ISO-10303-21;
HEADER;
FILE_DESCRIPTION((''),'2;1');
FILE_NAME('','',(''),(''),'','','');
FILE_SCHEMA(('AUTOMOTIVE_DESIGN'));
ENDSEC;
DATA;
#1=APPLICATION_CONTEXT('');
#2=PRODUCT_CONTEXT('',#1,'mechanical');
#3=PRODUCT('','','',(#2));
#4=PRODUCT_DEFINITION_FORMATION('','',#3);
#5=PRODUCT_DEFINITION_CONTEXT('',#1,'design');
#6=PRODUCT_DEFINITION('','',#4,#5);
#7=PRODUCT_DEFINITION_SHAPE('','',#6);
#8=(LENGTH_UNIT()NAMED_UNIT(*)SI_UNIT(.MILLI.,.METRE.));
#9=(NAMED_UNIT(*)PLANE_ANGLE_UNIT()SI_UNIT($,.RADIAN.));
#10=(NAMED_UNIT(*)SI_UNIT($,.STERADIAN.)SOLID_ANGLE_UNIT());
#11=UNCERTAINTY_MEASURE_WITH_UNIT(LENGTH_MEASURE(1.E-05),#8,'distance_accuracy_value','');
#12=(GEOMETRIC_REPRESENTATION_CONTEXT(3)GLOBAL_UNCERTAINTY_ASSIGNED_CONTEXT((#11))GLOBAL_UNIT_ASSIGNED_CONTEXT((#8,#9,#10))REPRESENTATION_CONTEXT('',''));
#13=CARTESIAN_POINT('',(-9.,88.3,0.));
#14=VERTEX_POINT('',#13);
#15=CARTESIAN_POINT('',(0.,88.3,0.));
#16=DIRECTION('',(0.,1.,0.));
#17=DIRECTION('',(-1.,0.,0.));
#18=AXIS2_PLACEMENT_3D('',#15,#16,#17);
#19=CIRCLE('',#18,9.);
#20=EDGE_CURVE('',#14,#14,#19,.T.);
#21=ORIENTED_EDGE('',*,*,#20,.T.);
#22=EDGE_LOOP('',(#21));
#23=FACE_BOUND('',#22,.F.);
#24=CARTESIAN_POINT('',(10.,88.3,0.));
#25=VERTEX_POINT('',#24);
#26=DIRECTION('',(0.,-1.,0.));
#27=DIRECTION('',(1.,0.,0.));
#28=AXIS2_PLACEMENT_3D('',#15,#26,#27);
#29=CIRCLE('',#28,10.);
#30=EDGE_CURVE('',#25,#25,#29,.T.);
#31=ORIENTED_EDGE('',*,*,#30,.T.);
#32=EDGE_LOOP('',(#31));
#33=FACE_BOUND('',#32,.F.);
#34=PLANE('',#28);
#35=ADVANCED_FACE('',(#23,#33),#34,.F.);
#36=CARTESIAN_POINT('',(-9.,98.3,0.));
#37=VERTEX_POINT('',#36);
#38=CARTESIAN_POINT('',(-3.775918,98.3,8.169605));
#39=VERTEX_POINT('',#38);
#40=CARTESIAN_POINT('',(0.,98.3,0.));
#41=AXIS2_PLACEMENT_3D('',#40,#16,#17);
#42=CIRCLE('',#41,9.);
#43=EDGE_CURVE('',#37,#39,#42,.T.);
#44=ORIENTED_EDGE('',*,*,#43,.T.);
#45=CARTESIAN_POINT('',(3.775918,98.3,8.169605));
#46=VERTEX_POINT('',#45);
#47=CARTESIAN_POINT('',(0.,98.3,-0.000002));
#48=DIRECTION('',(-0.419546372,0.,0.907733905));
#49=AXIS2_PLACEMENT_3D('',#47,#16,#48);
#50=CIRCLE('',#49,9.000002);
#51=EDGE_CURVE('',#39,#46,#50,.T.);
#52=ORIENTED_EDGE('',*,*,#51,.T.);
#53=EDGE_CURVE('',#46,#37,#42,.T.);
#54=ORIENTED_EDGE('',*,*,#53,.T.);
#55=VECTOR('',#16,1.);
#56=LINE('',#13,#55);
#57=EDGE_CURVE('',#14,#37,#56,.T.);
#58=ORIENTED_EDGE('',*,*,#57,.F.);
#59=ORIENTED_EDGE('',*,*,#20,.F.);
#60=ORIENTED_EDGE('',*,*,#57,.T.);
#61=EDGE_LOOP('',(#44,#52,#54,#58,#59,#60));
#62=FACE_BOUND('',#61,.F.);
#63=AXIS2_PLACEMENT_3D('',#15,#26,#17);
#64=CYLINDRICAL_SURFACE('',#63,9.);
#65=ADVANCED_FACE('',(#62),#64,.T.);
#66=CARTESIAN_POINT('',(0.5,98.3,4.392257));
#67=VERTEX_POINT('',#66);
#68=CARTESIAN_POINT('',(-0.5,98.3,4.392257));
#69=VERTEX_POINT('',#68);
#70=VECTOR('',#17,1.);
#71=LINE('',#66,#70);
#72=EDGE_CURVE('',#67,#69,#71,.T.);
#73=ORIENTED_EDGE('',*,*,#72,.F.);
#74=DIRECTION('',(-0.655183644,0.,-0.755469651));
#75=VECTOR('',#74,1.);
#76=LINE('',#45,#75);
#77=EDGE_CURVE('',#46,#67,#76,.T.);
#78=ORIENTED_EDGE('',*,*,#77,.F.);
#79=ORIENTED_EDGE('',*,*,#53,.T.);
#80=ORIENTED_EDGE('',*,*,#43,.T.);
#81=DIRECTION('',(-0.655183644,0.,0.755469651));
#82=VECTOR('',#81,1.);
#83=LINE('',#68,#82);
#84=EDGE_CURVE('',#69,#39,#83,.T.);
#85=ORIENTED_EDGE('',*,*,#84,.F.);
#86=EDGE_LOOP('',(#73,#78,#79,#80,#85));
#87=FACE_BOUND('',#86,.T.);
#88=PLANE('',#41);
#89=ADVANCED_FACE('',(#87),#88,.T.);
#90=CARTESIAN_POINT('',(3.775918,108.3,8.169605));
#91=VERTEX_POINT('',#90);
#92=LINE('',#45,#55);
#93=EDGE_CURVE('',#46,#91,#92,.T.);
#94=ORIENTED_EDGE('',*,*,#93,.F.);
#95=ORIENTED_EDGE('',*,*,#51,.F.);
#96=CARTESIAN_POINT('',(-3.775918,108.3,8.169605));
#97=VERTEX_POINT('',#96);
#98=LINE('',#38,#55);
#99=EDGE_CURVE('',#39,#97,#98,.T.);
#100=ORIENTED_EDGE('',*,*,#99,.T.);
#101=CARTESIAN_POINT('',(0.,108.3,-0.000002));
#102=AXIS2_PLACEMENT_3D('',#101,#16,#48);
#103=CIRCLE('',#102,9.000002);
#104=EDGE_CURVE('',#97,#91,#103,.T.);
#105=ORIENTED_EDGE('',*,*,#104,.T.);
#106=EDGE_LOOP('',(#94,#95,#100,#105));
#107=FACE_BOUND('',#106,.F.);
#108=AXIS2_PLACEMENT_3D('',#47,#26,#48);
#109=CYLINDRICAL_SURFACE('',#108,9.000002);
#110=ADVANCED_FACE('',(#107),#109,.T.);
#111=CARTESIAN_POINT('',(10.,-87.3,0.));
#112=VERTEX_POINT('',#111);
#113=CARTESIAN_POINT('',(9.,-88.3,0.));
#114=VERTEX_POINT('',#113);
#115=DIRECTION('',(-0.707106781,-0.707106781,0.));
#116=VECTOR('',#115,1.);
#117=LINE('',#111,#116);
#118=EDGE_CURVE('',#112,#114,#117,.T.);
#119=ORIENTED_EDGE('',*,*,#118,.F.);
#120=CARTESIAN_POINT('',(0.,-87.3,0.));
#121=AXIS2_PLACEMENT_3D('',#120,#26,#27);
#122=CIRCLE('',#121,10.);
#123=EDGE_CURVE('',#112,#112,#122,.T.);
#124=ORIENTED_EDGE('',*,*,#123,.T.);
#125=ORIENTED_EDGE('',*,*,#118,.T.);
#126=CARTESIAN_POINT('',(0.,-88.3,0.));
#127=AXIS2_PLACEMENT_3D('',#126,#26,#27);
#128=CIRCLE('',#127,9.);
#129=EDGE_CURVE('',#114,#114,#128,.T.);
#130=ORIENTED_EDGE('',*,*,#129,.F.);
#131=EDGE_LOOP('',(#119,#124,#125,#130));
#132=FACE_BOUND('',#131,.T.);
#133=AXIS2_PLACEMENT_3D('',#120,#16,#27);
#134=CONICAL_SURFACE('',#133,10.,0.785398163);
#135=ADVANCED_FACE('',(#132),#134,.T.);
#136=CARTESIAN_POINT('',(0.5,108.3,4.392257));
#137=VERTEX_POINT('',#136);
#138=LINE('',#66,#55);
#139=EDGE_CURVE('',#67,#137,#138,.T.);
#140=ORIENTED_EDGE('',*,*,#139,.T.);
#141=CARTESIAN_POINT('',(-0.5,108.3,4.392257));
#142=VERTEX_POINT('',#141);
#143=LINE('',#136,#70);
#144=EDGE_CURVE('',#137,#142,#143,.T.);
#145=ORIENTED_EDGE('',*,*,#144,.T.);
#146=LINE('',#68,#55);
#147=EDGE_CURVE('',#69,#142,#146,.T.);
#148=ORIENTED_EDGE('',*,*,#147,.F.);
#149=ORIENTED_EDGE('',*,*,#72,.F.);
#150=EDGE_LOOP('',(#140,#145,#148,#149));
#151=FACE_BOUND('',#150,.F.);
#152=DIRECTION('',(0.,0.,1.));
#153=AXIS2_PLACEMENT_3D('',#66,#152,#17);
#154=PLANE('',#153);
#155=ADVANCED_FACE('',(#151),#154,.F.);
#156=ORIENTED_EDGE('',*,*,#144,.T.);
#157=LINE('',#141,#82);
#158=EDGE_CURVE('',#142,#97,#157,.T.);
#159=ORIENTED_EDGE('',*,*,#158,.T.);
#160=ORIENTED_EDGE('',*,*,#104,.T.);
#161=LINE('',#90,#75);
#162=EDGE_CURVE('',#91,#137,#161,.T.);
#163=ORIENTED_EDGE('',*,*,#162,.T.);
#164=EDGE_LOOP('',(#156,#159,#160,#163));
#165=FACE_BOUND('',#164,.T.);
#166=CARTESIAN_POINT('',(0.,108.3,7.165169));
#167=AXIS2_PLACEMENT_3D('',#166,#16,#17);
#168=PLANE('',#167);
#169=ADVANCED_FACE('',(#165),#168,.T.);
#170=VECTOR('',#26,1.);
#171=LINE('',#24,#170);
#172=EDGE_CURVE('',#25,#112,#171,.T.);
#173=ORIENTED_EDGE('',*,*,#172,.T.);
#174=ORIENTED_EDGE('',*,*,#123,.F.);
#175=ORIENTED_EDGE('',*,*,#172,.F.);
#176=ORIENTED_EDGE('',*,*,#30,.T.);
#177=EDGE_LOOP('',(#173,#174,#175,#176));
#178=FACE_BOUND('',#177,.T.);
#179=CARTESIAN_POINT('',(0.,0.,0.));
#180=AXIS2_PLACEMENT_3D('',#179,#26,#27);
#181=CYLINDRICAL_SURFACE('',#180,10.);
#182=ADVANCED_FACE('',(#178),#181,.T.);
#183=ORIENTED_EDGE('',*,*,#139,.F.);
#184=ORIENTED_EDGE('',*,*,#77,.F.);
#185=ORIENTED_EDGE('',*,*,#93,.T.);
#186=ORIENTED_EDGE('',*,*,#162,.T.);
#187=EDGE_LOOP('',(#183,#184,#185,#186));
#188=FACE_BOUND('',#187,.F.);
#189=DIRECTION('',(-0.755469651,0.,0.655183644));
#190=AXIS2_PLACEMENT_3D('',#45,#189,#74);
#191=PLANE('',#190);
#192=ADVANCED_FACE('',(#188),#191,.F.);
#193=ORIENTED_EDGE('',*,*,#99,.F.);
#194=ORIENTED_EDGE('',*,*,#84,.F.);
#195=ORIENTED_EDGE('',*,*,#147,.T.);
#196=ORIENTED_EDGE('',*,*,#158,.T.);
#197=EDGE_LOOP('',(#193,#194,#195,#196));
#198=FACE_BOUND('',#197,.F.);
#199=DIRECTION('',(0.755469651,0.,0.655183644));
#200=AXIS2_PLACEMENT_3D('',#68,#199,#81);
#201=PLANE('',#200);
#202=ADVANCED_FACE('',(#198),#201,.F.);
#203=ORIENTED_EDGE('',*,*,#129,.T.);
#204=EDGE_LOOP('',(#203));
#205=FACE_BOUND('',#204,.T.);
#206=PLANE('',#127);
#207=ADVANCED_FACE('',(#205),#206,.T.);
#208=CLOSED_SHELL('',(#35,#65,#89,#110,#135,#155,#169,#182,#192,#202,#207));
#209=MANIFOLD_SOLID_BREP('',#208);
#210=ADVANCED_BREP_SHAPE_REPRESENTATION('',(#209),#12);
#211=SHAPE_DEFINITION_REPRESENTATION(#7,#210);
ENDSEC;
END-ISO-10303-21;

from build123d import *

# Parameters (mm, degrees)
F0_R     = 10
F1_DEPTH = 88.3
F2_R     = 9
F3_DEPTH = 10
F5_DEPTH = 10
F6_SIZE  = 1


with BuildPart() as f1:
    # F0 (on Front) → F1 (new body, symmetric)
    with BuildSketch(Plane.XZ):
        Circle(F0_R)
    extrude(amount=F1_DEPTH, both=True)

    # F2 (on face) → F3 (join)
    with BuildSketch(Plane(origin=(0, 88.3, 0), x_dir=(-1, 0, 0), z_dir=(0, 1, 0))):
        Circle(F2_R)
    extrude(amount=F3_DEPTH)

    # F4 (on face) → F5 (join)
    with BuildSketch(Plane(origin=(0, 98.3, 0), x_dir=(-1, 0, 0), z_dir=(0, 1, 0))):
        with BuildLine():
            ThreePointArc((3.775918, 8.169605), (0, 9), (-3.775918, 8.169605))
            Line((-3.775918, 8.169605), (-0.5, 4.392257))
            Line((-0.5, 4.392257), (0.5, 4.392257))
            Line((0.5, 4.392257), (3.775918, 8.169605))
        make_face()
    extrude(amount=F5_DEPTH)

    # F6
    f6_edges = [f1.edges().sort_by_distance(p)[0] for p in [
        (-10, -88.3, 0),
    ]]
    chamfer(f6_edges, length=F6_SIZE)


solid = f1.part
